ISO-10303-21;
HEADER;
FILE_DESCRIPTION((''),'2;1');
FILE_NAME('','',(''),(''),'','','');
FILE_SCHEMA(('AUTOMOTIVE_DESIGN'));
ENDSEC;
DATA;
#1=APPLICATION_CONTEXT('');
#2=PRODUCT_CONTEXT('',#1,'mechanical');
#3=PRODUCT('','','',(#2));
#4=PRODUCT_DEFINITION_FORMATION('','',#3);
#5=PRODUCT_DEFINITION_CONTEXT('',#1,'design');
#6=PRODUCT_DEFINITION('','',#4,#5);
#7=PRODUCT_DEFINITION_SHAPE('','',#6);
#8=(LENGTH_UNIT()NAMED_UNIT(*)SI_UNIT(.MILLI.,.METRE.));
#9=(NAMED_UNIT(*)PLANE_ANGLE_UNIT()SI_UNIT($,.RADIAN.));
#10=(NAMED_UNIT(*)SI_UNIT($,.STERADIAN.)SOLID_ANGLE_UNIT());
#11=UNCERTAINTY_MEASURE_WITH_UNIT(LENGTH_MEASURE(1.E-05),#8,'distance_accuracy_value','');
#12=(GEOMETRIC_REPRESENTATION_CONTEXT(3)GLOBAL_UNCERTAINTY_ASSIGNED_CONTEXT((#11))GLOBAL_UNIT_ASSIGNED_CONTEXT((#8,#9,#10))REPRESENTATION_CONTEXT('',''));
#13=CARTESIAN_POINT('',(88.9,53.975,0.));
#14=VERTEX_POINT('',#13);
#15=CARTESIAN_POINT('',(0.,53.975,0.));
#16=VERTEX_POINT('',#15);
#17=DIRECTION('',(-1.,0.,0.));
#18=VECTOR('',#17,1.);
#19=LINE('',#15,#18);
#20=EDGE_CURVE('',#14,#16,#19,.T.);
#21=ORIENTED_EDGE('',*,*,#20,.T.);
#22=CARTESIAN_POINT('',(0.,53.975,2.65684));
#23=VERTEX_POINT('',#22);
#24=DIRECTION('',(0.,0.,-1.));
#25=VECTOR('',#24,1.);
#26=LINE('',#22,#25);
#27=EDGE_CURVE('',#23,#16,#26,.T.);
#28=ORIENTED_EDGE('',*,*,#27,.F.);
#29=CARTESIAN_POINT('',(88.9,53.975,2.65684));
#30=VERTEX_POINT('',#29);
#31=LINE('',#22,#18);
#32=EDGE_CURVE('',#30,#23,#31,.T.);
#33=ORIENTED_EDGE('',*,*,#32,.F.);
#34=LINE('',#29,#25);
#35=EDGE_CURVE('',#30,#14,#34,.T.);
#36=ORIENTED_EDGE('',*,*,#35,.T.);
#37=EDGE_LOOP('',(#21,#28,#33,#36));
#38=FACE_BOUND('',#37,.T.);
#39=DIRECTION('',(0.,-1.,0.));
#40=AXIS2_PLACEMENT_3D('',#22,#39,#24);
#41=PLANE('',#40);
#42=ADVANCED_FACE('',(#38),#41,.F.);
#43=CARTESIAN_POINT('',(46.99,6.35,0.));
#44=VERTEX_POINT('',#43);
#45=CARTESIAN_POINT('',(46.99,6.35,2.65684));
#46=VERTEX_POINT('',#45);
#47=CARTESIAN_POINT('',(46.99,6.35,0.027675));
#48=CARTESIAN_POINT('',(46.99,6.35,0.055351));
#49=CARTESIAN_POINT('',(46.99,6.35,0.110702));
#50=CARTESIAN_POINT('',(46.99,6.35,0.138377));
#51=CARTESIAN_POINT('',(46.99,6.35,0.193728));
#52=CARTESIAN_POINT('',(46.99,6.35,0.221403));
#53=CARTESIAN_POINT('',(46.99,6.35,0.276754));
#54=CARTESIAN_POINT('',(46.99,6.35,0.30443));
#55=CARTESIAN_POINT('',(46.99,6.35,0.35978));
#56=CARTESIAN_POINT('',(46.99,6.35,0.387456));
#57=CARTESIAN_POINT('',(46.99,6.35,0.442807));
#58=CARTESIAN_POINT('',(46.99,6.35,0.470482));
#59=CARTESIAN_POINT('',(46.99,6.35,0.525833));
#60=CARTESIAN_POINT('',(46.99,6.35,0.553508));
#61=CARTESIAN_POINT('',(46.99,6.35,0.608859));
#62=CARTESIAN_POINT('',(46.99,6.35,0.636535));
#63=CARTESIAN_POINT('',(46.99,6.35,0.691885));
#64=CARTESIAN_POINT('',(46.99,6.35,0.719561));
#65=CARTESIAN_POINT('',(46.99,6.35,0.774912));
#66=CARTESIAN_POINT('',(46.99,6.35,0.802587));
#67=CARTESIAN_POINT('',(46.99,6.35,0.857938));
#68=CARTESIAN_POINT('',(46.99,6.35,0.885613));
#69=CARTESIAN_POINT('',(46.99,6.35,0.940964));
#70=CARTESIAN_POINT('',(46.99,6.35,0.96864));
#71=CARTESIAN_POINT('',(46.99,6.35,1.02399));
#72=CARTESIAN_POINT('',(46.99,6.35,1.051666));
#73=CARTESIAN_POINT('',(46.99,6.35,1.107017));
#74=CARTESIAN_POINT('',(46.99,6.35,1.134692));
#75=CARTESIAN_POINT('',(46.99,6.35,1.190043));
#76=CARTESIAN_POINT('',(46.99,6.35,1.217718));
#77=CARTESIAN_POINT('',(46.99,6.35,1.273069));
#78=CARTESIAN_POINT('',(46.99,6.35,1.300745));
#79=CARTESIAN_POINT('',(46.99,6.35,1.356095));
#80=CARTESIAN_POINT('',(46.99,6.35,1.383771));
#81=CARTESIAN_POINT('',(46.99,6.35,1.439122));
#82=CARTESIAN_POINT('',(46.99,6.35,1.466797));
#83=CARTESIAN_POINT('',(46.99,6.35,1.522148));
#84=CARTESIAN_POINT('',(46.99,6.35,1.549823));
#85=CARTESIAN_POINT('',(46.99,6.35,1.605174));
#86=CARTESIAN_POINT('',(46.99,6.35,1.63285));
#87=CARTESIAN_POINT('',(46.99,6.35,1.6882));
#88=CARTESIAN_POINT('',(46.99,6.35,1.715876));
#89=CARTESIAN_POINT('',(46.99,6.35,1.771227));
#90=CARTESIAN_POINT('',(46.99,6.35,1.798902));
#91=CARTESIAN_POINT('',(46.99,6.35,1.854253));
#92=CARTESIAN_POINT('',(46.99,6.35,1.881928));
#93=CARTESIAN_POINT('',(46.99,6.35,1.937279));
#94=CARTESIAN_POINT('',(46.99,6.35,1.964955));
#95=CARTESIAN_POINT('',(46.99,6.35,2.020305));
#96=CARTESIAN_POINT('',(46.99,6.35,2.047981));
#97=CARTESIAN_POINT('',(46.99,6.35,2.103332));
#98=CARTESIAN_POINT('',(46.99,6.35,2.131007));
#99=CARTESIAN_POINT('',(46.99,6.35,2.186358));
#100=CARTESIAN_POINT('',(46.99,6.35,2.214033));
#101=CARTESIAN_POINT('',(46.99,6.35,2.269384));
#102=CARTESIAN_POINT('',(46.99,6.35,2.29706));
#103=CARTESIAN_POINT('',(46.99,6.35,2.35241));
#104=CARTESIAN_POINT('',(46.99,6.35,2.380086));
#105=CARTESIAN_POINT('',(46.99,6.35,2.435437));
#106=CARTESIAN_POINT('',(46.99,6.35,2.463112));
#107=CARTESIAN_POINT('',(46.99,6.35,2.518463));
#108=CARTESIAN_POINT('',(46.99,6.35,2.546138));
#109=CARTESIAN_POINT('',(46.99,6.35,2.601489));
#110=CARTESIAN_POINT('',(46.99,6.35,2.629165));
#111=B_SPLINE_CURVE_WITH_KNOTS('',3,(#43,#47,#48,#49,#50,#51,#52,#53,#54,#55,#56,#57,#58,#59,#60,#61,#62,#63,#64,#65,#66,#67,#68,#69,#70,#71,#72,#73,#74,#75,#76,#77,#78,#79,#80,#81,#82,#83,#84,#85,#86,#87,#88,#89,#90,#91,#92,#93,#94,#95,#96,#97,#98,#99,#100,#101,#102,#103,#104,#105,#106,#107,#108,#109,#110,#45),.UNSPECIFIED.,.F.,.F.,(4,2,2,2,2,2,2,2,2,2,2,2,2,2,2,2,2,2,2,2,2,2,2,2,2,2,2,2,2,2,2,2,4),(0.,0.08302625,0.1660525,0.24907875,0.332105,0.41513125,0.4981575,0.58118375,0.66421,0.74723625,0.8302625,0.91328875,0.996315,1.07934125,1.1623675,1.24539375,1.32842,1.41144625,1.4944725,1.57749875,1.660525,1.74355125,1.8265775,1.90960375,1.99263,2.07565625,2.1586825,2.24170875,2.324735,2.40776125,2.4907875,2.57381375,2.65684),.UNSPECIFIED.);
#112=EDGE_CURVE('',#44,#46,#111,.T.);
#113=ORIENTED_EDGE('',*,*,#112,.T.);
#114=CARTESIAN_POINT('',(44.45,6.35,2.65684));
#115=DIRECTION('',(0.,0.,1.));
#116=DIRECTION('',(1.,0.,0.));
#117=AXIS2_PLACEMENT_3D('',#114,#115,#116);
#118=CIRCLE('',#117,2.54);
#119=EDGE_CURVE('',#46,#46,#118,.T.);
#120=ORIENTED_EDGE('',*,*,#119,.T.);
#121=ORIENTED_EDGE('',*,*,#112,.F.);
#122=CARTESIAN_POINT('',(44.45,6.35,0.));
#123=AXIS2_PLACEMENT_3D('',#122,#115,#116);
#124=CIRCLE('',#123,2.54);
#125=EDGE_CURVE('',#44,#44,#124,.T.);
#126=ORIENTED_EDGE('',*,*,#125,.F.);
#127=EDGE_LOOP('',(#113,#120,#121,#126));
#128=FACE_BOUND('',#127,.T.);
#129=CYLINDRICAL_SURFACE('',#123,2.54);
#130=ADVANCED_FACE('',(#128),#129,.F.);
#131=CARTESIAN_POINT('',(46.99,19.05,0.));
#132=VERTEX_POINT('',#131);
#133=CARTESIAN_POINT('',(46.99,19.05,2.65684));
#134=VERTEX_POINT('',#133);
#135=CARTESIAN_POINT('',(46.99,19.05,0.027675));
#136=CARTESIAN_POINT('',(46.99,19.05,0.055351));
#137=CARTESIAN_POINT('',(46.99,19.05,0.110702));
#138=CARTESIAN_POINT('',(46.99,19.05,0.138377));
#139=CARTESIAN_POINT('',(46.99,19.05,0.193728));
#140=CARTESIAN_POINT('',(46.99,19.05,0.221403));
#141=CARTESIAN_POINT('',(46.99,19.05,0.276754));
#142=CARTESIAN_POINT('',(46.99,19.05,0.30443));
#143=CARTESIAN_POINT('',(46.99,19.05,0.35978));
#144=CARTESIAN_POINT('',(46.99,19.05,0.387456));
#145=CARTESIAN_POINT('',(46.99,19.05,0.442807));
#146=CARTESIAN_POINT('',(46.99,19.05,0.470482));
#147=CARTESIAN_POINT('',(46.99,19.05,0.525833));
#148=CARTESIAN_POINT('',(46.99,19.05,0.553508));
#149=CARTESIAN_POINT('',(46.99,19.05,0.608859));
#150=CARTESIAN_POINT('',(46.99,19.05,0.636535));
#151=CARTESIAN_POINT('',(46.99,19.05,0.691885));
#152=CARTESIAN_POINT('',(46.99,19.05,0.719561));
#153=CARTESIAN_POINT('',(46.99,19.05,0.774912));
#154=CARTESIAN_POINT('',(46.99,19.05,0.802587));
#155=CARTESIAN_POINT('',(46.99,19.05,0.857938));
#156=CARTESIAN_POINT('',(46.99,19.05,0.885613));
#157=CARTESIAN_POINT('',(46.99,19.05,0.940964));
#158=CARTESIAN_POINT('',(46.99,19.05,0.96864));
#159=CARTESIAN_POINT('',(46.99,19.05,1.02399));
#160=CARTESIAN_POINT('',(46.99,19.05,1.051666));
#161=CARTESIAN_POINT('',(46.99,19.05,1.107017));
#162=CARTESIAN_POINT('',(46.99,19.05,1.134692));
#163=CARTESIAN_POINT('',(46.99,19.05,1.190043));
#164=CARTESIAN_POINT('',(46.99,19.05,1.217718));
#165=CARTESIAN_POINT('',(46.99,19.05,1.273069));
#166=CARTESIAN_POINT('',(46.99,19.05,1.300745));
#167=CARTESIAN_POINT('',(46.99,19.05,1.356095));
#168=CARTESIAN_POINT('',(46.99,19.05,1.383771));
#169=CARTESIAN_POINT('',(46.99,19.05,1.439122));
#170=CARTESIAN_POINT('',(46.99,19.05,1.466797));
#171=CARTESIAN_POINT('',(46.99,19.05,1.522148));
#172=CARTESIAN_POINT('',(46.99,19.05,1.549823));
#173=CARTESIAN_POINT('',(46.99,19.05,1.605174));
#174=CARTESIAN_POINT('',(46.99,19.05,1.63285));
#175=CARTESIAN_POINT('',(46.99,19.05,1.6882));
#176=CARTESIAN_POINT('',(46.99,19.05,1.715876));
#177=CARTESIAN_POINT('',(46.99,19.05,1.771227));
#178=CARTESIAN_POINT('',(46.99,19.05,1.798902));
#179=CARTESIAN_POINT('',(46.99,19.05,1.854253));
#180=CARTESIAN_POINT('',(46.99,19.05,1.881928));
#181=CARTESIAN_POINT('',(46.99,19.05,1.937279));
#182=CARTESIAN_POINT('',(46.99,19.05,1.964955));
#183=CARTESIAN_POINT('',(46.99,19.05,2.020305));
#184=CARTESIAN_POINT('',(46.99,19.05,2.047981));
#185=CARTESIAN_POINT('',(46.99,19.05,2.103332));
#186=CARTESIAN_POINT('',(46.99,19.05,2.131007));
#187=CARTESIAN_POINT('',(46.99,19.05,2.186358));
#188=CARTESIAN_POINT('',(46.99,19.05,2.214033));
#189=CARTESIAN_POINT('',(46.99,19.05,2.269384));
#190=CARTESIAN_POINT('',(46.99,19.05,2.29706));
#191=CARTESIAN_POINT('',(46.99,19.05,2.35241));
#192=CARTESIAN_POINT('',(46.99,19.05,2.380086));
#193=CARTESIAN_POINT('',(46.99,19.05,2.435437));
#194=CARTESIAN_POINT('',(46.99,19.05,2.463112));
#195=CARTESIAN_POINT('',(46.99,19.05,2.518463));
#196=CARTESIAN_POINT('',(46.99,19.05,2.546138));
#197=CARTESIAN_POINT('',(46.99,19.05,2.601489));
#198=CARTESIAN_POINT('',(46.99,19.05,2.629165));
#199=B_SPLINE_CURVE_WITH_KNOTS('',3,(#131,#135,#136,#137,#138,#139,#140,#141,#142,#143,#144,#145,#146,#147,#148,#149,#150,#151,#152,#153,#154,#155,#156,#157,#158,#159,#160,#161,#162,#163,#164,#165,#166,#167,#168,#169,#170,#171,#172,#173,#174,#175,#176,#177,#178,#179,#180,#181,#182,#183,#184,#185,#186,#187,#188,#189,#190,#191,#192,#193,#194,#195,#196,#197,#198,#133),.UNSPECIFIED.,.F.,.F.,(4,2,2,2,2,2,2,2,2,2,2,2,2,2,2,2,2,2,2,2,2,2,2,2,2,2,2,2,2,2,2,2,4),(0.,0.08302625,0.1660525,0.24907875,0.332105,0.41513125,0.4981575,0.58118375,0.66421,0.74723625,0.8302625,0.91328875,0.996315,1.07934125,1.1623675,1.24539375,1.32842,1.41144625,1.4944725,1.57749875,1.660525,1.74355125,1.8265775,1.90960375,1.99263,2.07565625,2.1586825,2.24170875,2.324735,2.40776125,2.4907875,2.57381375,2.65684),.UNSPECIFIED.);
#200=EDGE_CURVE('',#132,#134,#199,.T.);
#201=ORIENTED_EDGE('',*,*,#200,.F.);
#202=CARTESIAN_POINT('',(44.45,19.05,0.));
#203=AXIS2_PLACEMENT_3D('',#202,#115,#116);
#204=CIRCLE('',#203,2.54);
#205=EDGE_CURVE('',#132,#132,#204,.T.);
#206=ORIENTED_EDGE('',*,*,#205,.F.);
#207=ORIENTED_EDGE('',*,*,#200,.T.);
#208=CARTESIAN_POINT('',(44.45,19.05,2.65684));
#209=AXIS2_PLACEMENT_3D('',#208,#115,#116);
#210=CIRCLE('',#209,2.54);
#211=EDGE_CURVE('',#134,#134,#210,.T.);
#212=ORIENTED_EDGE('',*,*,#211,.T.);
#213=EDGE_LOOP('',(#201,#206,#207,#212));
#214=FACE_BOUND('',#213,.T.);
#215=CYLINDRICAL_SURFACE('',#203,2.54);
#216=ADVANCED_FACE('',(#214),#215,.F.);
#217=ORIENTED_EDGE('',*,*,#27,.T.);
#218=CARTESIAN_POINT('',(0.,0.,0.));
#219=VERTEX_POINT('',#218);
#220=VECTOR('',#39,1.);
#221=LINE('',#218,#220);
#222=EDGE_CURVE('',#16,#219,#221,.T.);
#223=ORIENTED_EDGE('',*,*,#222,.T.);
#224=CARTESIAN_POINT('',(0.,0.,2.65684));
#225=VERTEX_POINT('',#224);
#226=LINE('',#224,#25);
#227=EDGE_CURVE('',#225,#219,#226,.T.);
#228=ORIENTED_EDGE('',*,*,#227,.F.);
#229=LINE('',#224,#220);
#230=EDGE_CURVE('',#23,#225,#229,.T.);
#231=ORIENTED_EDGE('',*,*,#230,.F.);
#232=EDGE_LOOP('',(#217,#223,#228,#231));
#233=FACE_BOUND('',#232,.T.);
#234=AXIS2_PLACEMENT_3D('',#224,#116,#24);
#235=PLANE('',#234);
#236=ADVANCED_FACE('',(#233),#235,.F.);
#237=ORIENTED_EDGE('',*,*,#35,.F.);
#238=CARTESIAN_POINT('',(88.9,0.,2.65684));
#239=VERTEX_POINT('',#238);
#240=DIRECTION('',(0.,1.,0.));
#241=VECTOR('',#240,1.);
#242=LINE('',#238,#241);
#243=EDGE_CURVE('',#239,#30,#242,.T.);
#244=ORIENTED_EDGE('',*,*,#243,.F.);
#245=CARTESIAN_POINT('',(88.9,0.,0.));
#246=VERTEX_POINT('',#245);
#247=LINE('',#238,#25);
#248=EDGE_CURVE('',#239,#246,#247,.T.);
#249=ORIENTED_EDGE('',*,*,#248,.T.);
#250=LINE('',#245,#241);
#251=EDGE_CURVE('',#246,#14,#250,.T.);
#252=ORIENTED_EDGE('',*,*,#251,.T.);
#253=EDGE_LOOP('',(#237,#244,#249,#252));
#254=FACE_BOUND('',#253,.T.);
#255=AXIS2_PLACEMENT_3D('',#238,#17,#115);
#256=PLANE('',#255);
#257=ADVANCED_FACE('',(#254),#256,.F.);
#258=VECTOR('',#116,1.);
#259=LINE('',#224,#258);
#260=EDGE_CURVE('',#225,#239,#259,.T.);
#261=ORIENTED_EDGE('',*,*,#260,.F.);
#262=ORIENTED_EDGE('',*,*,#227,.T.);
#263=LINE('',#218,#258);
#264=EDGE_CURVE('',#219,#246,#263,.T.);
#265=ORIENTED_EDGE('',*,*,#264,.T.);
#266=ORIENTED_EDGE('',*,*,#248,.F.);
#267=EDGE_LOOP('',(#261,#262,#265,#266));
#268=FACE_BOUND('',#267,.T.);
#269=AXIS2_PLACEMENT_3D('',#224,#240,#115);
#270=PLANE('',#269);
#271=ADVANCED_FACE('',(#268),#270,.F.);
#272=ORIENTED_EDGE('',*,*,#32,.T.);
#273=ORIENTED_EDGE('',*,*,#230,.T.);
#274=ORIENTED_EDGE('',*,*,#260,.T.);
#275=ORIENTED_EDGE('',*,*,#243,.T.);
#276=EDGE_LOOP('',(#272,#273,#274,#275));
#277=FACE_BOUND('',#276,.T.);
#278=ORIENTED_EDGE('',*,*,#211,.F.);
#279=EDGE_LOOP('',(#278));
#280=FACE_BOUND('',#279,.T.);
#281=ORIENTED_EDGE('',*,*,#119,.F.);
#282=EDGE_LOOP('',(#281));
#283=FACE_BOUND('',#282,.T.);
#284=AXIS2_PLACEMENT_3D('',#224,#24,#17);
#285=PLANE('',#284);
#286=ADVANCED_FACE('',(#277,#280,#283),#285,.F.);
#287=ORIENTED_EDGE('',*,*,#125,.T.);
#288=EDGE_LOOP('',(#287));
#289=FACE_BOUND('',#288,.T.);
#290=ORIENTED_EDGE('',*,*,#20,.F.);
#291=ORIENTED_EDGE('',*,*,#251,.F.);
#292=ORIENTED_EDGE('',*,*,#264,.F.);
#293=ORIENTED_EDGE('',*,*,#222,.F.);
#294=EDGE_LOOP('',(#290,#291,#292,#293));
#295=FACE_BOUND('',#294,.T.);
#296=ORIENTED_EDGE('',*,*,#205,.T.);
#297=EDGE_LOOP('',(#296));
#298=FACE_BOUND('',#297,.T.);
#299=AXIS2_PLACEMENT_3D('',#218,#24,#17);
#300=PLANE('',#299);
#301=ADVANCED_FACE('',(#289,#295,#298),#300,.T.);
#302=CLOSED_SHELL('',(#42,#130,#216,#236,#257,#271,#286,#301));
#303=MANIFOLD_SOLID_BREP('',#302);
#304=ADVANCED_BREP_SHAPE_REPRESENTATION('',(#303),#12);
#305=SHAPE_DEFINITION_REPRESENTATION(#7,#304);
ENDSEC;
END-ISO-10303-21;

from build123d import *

# Parameters (mm, degrees)
SKETCH1_W           = 88.9
SKETCH1_H           = 53.975
BOSS_EXTRUDE1_DEPTH = 2.65684
SKETCH2_R           = 2.54
CUT_EXTRUDE1_DEPTH  = 105.036385096


with BuildPart() as part:
    # Sketch1 → Boss-Extrude1 (new body)
    with BuildSketch(Plane.XY):
        with Locations((44.45, 26.9875)):
            Rectangle(SKETCH1_W, SKETCH1_H)
    extrude(amount=BOSS_EXTRUDE1_DEPTH)

    # Sketch2 → Cut-Extrude1 (cut, through all)
    with BuildSketch(Plane.XY.offset(2.65684)):
        with Locations((44.45, 6.35)):
            Circle(SKETCH2_R)
        with Locations((44.45, 19.05)):
            Circle(SKETCH2_R)
    extrude(amount=-CUT_EXTRUDE1_DEPTH, mode=Mode.SUBTRACT)


solid = part.part
